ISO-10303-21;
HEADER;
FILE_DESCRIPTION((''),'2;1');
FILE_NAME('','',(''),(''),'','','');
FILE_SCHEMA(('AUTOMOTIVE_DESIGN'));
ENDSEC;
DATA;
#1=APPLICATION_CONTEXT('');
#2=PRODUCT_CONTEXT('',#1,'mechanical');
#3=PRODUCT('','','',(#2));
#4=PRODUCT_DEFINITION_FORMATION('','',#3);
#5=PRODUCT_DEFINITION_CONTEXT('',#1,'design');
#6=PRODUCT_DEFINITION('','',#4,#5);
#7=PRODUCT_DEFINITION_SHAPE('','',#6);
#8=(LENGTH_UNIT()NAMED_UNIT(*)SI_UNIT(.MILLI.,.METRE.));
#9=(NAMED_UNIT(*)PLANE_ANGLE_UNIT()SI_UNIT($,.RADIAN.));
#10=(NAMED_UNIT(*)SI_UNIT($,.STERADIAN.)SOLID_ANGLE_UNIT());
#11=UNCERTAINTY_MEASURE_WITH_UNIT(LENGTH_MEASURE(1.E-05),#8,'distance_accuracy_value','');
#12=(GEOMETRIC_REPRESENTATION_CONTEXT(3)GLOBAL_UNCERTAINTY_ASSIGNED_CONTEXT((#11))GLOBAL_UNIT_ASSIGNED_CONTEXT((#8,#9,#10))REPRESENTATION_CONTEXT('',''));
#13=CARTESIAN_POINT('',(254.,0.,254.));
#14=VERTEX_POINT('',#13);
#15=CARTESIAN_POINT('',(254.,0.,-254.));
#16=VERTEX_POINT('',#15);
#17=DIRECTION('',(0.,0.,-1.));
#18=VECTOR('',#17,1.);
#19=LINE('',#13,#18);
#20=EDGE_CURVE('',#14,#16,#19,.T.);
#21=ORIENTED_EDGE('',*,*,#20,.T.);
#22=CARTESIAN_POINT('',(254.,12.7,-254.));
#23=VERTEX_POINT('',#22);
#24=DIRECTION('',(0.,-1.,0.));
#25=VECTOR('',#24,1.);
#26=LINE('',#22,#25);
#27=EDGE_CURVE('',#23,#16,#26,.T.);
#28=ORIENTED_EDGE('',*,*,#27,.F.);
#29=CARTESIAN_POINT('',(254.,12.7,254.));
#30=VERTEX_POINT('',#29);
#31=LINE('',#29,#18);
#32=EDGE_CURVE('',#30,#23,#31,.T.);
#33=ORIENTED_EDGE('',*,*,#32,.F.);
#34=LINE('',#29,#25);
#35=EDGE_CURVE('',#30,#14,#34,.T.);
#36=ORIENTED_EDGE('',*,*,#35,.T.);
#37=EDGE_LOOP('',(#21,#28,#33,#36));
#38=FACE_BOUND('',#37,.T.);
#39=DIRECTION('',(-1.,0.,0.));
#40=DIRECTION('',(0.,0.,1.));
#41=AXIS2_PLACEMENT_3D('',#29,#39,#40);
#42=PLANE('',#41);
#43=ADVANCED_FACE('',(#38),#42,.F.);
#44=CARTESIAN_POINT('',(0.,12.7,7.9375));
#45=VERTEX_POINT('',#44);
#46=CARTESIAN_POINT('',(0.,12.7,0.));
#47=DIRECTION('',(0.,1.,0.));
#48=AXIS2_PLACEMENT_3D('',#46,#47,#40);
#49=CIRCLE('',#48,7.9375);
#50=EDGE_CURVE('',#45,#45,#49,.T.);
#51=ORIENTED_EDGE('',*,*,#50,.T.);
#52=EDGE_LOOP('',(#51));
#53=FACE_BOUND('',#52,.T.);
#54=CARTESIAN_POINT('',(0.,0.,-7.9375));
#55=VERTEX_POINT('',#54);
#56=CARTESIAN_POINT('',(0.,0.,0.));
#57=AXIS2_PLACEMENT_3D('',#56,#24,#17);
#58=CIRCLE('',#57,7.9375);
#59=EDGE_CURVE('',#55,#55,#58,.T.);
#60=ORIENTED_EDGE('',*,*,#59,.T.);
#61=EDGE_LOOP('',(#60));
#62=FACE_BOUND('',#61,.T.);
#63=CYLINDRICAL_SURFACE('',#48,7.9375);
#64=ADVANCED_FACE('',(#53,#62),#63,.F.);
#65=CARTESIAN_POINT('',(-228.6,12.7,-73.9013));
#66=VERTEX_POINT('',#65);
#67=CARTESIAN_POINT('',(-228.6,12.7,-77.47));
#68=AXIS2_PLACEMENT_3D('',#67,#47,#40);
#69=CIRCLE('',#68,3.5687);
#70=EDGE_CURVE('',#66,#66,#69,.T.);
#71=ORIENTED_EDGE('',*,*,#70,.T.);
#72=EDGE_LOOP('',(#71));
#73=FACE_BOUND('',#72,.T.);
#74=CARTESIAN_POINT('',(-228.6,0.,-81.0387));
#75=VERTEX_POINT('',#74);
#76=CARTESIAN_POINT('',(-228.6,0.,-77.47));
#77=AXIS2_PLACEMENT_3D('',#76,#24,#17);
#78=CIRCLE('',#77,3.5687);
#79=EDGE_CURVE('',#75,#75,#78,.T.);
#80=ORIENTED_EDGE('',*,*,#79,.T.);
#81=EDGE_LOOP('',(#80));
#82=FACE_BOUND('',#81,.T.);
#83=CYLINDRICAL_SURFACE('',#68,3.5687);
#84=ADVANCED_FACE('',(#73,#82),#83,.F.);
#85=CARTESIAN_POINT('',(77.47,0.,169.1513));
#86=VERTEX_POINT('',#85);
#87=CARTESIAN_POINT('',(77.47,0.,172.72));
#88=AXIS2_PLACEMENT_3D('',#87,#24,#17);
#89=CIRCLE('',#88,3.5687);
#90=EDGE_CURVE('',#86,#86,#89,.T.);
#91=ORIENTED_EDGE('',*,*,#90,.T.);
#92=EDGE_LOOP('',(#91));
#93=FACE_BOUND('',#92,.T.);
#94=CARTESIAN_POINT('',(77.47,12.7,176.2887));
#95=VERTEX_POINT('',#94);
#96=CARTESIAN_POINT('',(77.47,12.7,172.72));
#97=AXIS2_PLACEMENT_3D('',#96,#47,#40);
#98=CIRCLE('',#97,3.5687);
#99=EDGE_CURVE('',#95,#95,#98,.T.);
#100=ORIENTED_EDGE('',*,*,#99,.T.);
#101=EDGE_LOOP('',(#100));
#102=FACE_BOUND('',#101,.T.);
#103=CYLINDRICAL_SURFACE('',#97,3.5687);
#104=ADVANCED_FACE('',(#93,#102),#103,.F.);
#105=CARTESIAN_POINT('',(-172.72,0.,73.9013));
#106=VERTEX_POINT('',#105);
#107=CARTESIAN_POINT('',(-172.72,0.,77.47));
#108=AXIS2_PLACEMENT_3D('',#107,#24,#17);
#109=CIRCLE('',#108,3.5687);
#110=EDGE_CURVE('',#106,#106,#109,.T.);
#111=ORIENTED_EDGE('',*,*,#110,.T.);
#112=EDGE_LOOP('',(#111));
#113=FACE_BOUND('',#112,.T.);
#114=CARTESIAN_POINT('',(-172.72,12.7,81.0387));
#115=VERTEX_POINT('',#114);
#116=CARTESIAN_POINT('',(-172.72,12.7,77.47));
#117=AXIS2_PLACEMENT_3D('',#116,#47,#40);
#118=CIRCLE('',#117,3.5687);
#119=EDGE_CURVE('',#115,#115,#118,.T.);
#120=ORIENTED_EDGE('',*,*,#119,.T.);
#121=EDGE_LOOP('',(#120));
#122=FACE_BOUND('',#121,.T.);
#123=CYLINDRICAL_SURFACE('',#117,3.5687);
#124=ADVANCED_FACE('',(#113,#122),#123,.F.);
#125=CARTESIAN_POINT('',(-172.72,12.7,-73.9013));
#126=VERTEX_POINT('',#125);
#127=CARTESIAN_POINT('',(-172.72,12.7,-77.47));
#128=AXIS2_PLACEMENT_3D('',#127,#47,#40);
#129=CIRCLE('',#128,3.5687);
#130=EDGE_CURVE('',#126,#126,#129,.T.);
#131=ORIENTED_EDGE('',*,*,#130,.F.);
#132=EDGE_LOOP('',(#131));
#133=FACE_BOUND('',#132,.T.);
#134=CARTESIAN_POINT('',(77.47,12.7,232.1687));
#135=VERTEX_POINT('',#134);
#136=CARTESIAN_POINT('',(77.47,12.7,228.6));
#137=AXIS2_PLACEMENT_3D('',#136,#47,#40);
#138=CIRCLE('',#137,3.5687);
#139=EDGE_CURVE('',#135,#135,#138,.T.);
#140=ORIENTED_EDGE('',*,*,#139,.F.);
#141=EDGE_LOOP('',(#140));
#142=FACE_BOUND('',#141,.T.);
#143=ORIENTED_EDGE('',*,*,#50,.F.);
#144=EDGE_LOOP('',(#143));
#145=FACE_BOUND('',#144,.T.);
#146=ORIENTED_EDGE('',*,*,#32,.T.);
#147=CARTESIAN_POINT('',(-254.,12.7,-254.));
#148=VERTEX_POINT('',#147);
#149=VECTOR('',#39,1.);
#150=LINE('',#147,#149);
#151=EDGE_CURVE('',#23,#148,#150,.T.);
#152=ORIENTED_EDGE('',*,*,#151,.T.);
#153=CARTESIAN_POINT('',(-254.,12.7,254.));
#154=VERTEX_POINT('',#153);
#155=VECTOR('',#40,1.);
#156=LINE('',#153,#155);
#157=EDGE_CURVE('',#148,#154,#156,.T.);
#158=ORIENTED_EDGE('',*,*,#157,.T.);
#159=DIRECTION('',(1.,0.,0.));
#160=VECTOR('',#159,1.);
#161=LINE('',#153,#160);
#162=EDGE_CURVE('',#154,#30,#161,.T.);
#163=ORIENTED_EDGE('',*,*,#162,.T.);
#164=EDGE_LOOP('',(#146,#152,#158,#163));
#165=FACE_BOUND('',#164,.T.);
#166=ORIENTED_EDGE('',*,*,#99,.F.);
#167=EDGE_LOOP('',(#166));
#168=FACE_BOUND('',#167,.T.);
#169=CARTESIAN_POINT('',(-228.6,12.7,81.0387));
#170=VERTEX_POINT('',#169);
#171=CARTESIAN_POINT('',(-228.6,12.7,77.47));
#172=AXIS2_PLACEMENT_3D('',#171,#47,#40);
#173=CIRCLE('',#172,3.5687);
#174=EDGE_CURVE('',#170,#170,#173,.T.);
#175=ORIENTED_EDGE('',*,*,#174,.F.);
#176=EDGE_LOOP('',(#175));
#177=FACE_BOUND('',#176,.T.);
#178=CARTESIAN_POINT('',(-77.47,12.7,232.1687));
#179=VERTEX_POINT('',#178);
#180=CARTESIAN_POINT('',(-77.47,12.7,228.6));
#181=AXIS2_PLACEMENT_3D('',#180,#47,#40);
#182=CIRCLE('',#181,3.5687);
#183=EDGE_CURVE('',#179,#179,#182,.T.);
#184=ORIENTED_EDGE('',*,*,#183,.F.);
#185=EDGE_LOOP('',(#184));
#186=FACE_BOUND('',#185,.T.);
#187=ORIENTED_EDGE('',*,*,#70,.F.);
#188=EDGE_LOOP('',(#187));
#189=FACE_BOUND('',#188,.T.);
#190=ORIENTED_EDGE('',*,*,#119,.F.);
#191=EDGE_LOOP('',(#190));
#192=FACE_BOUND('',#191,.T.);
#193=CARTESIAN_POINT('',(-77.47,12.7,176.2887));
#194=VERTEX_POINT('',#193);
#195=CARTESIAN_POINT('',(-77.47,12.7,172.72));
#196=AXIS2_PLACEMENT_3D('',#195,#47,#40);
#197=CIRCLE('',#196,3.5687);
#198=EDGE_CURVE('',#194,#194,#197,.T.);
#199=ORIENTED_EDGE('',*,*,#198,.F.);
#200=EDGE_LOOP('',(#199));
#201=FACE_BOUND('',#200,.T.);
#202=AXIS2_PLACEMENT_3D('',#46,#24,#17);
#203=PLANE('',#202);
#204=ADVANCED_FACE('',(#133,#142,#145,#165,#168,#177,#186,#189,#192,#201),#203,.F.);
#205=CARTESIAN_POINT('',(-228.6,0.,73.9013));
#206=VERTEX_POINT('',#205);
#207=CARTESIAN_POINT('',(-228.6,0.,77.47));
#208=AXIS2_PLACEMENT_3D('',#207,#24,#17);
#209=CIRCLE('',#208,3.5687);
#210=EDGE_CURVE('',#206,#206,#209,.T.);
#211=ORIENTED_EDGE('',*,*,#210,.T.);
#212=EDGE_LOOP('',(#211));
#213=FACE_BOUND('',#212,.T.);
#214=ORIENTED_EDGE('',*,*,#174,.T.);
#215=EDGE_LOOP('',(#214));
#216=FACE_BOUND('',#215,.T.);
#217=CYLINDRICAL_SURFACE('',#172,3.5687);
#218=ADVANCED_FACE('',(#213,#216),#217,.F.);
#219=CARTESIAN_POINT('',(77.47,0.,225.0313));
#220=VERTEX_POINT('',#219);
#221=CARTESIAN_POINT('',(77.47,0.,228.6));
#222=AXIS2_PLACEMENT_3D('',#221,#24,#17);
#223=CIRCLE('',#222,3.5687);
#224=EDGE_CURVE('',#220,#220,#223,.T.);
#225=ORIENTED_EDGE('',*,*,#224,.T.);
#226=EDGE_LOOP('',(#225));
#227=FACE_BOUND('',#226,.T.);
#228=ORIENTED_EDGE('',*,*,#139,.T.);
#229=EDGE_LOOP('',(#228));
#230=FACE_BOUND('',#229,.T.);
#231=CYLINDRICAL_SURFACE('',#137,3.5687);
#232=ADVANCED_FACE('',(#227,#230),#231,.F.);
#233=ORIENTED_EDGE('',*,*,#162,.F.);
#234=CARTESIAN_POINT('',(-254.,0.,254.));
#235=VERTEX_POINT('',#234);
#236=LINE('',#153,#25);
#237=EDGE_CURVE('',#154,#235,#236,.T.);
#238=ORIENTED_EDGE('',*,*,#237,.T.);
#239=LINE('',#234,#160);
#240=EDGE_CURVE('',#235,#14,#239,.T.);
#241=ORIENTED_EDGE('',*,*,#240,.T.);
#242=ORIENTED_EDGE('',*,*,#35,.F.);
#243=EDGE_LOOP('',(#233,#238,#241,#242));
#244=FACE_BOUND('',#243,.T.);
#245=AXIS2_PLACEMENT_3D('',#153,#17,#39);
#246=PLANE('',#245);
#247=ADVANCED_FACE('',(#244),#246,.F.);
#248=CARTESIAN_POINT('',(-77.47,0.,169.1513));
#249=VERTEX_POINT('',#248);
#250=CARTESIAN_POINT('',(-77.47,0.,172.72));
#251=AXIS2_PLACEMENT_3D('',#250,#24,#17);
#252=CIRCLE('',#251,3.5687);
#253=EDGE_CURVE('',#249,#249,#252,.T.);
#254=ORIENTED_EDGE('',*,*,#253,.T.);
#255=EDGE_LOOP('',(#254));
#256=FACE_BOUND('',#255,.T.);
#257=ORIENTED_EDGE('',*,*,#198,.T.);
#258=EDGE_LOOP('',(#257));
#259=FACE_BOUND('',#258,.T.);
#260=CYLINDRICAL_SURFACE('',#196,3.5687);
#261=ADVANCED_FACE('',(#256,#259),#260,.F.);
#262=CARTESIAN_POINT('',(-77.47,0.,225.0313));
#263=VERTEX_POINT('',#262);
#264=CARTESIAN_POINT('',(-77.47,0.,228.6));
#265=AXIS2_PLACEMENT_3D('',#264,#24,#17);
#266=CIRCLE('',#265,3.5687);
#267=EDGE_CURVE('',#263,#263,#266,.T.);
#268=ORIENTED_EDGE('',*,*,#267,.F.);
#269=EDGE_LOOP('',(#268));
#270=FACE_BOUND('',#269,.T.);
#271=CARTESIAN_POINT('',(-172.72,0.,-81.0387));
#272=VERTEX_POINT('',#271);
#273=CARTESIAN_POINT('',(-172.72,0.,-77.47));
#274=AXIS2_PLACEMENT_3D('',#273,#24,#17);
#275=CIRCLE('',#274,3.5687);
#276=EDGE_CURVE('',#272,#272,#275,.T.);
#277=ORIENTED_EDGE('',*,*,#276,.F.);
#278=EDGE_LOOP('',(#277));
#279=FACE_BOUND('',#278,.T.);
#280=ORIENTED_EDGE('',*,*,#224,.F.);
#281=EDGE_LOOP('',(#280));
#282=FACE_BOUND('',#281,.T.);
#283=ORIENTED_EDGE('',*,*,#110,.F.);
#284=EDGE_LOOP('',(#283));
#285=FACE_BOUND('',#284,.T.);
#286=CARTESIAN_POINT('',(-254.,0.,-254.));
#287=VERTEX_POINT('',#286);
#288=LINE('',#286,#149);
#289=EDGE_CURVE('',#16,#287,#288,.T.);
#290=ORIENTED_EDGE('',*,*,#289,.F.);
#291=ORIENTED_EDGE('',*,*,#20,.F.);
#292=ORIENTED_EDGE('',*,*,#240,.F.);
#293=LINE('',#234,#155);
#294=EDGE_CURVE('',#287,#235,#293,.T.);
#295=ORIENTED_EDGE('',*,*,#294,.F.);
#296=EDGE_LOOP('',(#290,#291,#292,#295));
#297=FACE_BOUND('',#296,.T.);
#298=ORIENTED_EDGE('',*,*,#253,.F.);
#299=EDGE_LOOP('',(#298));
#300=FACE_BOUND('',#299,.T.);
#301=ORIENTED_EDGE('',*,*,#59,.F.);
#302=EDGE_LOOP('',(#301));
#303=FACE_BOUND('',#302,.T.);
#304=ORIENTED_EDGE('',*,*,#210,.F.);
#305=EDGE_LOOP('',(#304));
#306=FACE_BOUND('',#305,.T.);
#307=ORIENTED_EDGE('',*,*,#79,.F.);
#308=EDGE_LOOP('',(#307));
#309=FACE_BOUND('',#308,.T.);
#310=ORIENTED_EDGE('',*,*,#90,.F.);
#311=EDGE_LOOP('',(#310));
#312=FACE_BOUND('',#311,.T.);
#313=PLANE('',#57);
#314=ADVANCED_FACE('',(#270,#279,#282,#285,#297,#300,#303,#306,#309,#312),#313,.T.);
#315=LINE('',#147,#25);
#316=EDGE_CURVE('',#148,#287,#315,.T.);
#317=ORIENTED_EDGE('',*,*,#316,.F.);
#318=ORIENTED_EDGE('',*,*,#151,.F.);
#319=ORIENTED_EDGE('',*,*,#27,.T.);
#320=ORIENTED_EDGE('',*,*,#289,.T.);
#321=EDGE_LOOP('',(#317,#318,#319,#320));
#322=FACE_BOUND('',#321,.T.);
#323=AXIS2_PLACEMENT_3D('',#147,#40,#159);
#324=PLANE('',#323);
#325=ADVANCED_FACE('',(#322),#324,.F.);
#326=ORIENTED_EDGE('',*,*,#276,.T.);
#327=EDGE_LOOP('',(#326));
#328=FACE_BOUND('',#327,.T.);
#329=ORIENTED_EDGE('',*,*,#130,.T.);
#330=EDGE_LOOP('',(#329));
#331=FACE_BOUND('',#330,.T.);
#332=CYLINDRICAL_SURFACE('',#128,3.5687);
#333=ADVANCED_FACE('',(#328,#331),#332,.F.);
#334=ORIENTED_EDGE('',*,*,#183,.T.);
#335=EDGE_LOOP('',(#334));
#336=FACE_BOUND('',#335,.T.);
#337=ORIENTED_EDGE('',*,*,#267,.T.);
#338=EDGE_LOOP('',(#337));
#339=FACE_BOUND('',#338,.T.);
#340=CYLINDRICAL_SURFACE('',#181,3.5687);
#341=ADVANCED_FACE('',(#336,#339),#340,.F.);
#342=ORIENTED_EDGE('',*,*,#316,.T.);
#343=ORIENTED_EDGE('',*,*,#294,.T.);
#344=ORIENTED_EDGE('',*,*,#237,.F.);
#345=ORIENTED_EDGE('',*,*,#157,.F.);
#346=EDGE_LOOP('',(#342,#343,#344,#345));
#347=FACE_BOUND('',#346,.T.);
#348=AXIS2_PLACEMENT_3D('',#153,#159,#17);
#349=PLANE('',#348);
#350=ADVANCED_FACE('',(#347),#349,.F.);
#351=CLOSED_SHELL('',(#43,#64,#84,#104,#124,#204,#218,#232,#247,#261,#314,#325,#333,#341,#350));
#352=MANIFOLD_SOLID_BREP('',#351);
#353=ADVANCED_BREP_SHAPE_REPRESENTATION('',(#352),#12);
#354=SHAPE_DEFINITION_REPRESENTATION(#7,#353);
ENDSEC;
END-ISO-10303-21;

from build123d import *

# Parameters (mm, degrees)
SKETCH1_W                        = 508
SKETCH1_H                        = 508
BOSS_EXTRUDE1_DEPTH              = 12.7
K_0_281_DIAMETER_HOLE1_D         = 7.1374
K_0_281_DIAMETER_HOLE1_DEPTH     = 12.7
F_5_8_0_625_DIAMETER_HOLE1_D     = 15.875
F_5_8_0_625_DIAMETER_HOLE1_DEPTH = 25.4
F_5_8_0_625_DIAMETER_HOLE1_TIP   = 4.769331164


with BuildPart() as part:
    # Sketch1 → Boss-Extrude1 (new body)
    with BuildSketch(Plane(origin=(0, 0, 0), x_dir=(1, 0, 0), z_dir=(0, 1, 0))):
        Rectangle(SKETCH1_W, SKETCH1_H)
    extrude(amount=BOSS_EXTRUDE1_DEPTH)

    # K (0.281) Diameter Hole1
    with Locations(Plane(origin=(0, 12.7, 0), x_dir=(1, 0, 0), z_dir=(0, 1, 0))):
        with Locations((-77.47, -228.6), (-77.47, -172.72), (77.47, -172.72), (77.47, -228.6), (-228.6, -77.47), (-172.72, -77.47), (-172.72, 77.47), (-228.6, 77.47)):
            Hole(K_0_281_DIAMETER_HOLE1_D / 2, depth=K_0_281_DIAMETER_HOLE1_DEPTH)

    # 5/8 (0.625) Diameter Hole1
    with Locations(Plane(origin=(0, 12.7, 0), x_dir=(1, 0, 0), z_dir=(0, 1, 0))):
        with Locations((0, 0)):
            Hole(F_5_8_0_625_DIAMETER_HOLE1_D / 2, depth=F_5_8_0_625_DIAMETER_HOLE1_DEPTH)
            with Locations((0, 0, -(F_5_8_0_625_DIAMETER_HOLE1_DEPTH + F_5_8_0_625_DIAMETER_HOLE1_TIP / 2))):  # 118° drill point
                Cone(0, F_5_8_0_625_DIAMETER_HOLE1_D / 2, F_5_8_0_625_DIAMETER_HOLE1_TIP, mode=Mode.SUBTRACT)


solid = part.part
